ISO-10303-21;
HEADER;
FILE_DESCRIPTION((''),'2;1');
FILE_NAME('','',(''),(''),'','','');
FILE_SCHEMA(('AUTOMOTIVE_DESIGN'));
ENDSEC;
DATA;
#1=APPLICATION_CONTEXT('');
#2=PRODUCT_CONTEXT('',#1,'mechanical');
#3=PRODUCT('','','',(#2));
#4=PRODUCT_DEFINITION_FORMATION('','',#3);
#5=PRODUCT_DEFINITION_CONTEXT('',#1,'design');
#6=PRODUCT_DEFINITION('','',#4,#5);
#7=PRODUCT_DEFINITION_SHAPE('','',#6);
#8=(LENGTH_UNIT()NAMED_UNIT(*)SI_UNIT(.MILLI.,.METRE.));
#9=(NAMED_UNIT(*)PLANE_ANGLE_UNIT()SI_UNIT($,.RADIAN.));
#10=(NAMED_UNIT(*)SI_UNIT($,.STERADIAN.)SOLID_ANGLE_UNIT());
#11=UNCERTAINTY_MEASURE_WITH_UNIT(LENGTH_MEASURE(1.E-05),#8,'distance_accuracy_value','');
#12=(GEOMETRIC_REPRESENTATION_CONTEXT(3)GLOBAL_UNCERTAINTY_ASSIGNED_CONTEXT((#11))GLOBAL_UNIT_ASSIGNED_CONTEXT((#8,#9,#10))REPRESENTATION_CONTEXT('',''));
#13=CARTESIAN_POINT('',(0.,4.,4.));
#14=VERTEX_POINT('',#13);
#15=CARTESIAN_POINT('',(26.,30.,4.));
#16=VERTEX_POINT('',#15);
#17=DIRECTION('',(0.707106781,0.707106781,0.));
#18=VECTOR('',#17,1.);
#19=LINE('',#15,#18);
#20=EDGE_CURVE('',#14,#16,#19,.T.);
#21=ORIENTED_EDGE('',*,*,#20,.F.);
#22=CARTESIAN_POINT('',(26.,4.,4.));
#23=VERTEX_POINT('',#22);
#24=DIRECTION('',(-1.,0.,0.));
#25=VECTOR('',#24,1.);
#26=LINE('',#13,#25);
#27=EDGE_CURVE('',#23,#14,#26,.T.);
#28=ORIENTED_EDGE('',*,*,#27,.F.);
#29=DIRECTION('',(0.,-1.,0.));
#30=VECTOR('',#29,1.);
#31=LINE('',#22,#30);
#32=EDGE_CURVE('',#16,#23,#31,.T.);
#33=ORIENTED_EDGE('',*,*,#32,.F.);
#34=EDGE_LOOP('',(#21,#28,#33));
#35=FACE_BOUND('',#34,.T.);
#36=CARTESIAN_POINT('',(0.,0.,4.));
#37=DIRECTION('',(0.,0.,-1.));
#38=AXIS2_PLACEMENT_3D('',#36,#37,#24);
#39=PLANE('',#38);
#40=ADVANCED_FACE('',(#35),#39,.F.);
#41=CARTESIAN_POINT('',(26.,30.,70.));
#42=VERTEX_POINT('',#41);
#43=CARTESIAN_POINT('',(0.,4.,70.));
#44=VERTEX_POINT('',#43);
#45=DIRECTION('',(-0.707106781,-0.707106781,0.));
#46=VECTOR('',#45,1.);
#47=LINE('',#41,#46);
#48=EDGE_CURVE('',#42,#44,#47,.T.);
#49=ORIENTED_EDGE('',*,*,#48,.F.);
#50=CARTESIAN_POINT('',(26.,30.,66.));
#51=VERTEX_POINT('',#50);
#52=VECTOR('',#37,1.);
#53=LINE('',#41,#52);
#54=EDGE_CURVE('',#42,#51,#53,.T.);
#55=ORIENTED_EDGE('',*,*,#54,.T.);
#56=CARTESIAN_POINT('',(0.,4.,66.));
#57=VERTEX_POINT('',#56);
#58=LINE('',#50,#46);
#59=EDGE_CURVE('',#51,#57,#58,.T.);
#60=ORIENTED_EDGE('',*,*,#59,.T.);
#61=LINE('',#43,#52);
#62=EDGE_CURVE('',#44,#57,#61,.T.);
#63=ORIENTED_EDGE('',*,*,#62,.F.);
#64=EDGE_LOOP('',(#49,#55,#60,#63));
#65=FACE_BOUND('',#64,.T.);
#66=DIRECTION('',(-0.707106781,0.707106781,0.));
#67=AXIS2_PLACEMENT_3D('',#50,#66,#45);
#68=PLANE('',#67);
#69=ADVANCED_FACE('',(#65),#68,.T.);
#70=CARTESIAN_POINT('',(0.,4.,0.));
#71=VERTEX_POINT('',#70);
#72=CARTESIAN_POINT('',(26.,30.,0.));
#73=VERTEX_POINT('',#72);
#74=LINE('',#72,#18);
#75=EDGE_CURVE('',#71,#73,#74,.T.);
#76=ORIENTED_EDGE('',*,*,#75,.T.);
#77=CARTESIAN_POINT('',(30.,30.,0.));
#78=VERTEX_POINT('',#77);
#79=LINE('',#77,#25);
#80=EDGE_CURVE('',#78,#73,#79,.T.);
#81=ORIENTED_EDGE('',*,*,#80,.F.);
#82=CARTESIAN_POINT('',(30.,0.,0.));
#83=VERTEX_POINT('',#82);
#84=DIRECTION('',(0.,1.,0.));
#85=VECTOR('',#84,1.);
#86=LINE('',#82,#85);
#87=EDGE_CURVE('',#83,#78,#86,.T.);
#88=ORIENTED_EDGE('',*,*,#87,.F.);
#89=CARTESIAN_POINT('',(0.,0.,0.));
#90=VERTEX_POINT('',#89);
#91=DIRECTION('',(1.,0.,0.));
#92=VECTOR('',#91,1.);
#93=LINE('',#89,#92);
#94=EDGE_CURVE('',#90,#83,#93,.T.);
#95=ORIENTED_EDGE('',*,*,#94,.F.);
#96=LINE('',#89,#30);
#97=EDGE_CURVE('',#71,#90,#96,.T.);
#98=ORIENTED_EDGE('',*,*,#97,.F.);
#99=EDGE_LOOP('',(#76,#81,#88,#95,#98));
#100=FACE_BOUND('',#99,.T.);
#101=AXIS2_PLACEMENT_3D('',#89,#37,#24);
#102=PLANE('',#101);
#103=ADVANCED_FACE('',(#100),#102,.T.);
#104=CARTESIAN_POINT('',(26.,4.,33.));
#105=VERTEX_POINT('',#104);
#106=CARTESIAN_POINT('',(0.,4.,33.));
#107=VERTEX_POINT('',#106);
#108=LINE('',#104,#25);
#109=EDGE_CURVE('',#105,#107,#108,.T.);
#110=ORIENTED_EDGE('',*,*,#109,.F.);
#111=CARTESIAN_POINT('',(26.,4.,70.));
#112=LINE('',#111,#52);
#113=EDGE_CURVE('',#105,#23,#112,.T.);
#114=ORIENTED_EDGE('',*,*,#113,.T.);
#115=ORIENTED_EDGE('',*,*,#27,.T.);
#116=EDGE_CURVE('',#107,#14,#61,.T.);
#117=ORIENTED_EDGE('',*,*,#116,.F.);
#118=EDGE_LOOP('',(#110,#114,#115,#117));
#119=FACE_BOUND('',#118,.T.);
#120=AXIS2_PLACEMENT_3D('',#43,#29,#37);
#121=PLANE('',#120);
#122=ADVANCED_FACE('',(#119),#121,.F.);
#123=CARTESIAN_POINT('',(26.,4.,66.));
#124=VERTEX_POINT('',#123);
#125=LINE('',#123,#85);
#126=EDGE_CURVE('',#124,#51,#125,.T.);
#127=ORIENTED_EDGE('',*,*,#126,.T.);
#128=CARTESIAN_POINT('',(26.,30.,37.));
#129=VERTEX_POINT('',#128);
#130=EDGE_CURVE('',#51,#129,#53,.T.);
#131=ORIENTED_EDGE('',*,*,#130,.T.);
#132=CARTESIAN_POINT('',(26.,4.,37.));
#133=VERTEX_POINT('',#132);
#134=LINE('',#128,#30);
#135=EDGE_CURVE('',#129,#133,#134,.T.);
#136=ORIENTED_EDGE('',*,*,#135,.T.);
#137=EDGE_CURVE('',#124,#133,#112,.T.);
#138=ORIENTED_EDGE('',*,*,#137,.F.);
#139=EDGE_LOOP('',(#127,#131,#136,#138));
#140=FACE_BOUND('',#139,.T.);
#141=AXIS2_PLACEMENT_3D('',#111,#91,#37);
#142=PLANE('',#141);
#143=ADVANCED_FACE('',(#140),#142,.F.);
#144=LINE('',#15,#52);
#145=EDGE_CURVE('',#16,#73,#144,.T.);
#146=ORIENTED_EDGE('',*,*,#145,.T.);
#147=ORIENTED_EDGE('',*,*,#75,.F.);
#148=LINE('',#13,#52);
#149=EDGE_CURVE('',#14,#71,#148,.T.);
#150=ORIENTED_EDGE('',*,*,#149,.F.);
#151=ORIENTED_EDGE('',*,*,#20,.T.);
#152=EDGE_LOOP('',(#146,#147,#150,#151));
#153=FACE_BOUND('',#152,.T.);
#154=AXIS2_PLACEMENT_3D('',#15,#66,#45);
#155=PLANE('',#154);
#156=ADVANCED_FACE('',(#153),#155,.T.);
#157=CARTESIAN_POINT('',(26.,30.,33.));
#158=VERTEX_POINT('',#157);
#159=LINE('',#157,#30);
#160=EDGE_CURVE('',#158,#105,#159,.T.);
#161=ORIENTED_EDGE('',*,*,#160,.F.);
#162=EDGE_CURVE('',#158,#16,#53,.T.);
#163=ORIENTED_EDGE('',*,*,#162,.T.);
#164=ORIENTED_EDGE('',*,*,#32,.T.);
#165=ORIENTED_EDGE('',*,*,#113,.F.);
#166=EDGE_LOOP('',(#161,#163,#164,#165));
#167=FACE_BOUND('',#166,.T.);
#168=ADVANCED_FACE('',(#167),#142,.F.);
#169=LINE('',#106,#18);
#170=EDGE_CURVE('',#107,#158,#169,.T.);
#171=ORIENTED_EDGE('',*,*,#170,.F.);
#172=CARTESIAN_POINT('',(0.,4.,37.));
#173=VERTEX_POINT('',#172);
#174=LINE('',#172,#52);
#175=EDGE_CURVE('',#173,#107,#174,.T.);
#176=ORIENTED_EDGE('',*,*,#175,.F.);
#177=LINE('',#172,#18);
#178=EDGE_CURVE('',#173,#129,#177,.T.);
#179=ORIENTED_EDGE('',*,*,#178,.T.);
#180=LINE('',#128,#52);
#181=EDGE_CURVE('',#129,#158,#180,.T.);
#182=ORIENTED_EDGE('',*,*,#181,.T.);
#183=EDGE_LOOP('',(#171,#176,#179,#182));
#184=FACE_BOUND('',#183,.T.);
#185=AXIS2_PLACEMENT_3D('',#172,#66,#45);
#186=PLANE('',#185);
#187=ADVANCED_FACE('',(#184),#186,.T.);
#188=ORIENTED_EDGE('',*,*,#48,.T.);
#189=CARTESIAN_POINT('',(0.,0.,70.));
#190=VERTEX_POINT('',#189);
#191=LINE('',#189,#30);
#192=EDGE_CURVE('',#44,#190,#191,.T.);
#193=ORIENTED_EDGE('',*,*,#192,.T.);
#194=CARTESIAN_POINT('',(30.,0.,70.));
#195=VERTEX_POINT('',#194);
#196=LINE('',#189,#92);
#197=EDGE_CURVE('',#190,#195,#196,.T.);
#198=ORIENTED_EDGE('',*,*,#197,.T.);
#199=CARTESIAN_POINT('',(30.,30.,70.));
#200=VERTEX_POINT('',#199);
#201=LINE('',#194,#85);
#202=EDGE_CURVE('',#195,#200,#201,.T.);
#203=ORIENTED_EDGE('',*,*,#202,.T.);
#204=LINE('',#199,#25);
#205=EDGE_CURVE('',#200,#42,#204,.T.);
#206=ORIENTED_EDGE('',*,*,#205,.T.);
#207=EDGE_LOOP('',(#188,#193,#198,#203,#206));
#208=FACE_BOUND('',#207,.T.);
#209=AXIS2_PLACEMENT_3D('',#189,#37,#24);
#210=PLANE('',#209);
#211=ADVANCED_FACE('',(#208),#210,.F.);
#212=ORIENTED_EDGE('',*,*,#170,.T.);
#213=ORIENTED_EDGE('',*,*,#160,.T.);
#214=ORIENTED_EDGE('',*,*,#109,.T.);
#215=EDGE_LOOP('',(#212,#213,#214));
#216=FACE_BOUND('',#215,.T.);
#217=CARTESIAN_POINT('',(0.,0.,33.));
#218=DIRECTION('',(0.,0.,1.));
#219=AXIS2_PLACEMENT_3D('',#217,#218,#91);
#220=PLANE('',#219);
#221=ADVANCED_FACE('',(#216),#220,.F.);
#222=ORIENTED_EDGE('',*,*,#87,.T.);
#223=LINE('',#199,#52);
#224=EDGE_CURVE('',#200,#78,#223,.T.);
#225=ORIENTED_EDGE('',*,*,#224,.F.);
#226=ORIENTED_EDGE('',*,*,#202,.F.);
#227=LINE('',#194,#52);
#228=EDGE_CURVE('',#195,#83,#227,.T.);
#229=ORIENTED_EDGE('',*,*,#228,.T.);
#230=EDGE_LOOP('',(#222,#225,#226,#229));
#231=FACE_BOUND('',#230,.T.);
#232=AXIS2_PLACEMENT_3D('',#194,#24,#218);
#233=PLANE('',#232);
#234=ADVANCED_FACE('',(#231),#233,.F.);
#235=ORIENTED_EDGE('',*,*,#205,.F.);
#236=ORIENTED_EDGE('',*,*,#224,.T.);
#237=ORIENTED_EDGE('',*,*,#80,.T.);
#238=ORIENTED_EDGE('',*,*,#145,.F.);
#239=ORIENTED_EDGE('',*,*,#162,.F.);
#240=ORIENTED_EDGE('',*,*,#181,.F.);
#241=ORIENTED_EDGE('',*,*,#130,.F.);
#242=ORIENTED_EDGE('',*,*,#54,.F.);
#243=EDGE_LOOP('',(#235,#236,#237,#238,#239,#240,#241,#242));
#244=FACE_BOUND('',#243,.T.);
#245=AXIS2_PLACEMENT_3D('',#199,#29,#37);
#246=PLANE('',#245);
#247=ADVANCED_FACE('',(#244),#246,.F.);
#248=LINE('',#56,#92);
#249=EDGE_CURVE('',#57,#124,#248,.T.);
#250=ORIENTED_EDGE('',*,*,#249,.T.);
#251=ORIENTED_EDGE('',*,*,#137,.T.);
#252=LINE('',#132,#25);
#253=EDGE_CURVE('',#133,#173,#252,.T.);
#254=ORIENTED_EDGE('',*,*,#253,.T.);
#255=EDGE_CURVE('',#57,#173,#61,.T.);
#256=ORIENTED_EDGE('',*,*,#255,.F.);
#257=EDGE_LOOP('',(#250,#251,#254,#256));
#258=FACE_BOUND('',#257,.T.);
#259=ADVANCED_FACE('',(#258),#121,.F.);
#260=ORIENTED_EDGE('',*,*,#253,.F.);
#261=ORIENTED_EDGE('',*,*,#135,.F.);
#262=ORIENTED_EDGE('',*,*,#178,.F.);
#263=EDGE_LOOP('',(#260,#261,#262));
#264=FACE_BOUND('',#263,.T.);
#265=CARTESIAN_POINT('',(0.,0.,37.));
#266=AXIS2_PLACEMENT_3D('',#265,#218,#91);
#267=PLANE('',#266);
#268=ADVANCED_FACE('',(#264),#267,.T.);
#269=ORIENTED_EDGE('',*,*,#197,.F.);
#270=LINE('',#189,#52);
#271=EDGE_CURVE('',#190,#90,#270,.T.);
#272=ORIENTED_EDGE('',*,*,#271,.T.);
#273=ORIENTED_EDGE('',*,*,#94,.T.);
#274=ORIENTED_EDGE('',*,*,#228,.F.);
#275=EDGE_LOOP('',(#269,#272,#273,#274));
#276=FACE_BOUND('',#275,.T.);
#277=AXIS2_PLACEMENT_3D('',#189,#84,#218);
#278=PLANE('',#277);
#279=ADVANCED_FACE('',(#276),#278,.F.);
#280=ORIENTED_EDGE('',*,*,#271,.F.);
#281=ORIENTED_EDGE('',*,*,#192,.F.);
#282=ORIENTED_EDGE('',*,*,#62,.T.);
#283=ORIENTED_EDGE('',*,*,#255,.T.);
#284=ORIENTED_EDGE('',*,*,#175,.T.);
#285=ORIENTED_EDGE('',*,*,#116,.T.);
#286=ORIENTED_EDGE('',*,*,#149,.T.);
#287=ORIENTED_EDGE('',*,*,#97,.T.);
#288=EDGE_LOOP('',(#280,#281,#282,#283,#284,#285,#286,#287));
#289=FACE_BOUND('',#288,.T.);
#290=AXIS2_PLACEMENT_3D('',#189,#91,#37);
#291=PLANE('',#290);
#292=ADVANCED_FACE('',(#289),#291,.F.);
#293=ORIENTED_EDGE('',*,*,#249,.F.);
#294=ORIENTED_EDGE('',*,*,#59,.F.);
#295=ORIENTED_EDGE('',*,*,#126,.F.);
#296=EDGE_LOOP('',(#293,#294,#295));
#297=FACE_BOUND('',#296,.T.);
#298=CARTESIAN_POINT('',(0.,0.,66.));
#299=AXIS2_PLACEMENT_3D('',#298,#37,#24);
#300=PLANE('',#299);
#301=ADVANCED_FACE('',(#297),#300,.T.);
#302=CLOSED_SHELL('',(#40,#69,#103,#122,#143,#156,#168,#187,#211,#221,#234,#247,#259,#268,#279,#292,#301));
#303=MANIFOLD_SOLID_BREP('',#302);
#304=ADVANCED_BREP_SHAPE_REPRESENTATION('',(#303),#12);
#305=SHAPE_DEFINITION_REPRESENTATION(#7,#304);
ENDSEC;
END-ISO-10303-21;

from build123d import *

# Parameters (mm, degrees)
BOSS_EXTRUDE1_DEPTH      = 70
BOSS_EXTRUDE2_DEPTH      = 4
BOSS_EXTRUDE3_DEPTH      = 4
BOSS_EXTRUDE4_DEPTH      = 2
BOSS_EXTRUDE4_DEPTH_BACK = 2


with BuildPart() as part:
    # Sketch1 → Boss-Extrude1 (new body)
    with BuildSketch(Plane.XY):
        Polygon((0, 0), (30, 0), (30, 30), (26, 30), (26, 4), (0, 4), align=None)
    extrude(amount=BOSS_EXTRUDE1_DEPTH)

    # Sketch2 → Boss-Extrude2 (add)
    with BuildSketch(Plane.XY.offset(70)):
        Polygon((26, 30), (0, 4), (26, 4), align=None)
    extrude(amount=-BOSS_EXTRUDE2_DEPTH)

    # Sketch3 → Boss-Extrude3 (add)
    with BuildSketch(Plane(origin=(0, 0, 0), x_dir=(-1, 0, 0), z_dir=(0, 0, -1))):
        Polygon((-26, 30), (0, 4), (-26, 4), align=None)
    extrude(amount=-BOSS_EXTRUDE3_DEPTH)

    # Sketch4 → Boss-Extrude4 (add, two sides: drawn at the far end of the back side and taken through both)
    with BuildSketch(Plane(origin=(0, 0, 35), x_dir=(-1, 0, 0), z_dir=(0, 0, -1)).offset(-BOSS_EXTRUDE4_DEPTH_BACK)):
        Polygon((-26, 30), (-26, 4), (0, 4), align=None)
    extrude(amount=BOSS_EXTRUDE4_DEPTH + BOSS_EXTRUDE4_DEPTH_BACK)


solid = part.part
